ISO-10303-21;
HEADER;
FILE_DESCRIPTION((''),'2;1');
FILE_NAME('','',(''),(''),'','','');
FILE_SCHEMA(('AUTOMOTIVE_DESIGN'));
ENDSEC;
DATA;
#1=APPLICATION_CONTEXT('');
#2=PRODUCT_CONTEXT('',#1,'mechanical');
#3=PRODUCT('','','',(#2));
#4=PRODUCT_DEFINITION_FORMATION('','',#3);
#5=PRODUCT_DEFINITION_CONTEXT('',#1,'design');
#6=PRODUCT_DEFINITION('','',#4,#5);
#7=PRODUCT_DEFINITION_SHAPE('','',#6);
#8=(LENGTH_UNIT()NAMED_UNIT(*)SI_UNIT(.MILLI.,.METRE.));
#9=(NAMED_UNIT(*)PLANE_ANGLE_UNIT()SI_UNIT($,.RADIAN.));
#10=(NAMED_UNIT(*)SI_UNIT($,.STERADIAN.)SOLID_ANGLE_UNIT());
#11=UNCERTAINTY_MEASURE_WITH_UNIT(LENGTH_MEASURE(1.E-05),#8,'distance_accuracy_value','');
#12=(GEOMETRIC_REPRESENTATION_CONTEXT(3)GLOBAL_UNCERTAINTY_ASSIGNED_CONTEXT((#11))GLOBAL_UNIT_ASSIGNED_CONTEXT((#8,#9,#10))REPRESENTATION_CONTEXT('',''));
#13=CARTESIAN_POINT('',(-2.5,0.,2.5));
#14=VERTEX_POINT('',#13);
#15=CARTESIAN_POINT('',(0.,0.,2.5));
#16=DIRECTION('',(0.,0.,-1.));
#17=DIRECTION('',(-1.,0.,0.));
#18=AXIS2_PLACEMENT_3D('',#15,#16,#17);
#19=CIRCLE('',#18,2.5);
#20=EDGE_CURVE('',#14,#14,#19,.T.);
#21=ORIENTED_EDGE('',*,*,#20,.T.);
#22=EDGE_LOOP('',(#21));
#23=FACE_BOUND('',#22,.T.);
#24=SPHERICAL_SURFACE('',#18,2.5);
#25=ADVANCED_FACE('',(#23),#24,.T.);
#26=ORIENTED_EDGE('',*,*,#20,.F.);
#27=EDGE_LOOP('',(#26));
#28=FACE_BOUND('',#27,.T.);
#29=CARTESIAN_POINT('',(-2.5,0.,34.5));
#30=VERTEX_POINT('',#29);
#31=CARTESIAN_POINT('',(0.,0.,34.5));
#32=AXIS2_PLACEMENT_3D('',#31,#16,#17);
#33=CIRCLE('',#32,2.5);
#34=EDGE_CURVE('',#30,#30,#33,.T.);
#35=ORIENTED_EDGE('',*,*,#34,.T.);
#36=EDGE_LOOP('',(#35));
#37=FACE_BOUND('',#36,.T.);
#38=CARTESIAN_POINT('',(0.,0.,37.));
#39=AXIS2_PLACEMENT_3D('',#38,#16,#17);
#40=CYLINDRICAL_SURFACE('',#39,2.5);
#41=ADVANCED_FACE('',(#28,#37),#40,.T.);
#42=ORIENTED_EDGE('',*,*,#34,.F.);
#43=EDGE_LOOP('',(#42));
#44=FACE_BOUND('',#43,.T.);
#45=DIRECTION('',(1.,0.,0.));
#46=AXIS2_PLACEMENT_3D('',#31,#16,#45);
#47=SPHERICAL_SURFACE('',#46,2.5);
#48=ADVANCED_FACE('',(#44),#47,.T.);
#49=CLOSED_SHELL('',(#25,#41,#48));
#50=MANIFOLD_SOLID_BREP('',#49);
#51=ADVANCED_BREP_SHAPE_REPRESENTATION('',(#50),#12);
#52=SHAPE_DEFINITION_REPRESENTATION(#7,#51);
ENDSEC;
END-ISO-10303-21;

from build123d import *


with BuildPart() as part:
    # Çizim1 → Döndür1 (revolve)
    with BuildSketch(Plane.XZ, mode=Mode.PRIVATE) as d_nd_r1_sk:
        with BuildLine():
            Line((0, 37), (0, 0))
            ThreePointArc((0, 0), (1.767766953, 0.732233047), (2.5, 2.5))
            Line((2.5, 2.5), (2.5, 34.5))
            ThreePointArc((2.5, 34.5), (1.767766953, 36.267766953), (0, 37))
        make_face()
    revolve(d_nd_r1_sk.sketch.rotate(Axis((0, 0, 37), (0, 0, -1)), 180), axis=Axis((0, 0, 37), (0, 0, -1)))


solid = part.part
